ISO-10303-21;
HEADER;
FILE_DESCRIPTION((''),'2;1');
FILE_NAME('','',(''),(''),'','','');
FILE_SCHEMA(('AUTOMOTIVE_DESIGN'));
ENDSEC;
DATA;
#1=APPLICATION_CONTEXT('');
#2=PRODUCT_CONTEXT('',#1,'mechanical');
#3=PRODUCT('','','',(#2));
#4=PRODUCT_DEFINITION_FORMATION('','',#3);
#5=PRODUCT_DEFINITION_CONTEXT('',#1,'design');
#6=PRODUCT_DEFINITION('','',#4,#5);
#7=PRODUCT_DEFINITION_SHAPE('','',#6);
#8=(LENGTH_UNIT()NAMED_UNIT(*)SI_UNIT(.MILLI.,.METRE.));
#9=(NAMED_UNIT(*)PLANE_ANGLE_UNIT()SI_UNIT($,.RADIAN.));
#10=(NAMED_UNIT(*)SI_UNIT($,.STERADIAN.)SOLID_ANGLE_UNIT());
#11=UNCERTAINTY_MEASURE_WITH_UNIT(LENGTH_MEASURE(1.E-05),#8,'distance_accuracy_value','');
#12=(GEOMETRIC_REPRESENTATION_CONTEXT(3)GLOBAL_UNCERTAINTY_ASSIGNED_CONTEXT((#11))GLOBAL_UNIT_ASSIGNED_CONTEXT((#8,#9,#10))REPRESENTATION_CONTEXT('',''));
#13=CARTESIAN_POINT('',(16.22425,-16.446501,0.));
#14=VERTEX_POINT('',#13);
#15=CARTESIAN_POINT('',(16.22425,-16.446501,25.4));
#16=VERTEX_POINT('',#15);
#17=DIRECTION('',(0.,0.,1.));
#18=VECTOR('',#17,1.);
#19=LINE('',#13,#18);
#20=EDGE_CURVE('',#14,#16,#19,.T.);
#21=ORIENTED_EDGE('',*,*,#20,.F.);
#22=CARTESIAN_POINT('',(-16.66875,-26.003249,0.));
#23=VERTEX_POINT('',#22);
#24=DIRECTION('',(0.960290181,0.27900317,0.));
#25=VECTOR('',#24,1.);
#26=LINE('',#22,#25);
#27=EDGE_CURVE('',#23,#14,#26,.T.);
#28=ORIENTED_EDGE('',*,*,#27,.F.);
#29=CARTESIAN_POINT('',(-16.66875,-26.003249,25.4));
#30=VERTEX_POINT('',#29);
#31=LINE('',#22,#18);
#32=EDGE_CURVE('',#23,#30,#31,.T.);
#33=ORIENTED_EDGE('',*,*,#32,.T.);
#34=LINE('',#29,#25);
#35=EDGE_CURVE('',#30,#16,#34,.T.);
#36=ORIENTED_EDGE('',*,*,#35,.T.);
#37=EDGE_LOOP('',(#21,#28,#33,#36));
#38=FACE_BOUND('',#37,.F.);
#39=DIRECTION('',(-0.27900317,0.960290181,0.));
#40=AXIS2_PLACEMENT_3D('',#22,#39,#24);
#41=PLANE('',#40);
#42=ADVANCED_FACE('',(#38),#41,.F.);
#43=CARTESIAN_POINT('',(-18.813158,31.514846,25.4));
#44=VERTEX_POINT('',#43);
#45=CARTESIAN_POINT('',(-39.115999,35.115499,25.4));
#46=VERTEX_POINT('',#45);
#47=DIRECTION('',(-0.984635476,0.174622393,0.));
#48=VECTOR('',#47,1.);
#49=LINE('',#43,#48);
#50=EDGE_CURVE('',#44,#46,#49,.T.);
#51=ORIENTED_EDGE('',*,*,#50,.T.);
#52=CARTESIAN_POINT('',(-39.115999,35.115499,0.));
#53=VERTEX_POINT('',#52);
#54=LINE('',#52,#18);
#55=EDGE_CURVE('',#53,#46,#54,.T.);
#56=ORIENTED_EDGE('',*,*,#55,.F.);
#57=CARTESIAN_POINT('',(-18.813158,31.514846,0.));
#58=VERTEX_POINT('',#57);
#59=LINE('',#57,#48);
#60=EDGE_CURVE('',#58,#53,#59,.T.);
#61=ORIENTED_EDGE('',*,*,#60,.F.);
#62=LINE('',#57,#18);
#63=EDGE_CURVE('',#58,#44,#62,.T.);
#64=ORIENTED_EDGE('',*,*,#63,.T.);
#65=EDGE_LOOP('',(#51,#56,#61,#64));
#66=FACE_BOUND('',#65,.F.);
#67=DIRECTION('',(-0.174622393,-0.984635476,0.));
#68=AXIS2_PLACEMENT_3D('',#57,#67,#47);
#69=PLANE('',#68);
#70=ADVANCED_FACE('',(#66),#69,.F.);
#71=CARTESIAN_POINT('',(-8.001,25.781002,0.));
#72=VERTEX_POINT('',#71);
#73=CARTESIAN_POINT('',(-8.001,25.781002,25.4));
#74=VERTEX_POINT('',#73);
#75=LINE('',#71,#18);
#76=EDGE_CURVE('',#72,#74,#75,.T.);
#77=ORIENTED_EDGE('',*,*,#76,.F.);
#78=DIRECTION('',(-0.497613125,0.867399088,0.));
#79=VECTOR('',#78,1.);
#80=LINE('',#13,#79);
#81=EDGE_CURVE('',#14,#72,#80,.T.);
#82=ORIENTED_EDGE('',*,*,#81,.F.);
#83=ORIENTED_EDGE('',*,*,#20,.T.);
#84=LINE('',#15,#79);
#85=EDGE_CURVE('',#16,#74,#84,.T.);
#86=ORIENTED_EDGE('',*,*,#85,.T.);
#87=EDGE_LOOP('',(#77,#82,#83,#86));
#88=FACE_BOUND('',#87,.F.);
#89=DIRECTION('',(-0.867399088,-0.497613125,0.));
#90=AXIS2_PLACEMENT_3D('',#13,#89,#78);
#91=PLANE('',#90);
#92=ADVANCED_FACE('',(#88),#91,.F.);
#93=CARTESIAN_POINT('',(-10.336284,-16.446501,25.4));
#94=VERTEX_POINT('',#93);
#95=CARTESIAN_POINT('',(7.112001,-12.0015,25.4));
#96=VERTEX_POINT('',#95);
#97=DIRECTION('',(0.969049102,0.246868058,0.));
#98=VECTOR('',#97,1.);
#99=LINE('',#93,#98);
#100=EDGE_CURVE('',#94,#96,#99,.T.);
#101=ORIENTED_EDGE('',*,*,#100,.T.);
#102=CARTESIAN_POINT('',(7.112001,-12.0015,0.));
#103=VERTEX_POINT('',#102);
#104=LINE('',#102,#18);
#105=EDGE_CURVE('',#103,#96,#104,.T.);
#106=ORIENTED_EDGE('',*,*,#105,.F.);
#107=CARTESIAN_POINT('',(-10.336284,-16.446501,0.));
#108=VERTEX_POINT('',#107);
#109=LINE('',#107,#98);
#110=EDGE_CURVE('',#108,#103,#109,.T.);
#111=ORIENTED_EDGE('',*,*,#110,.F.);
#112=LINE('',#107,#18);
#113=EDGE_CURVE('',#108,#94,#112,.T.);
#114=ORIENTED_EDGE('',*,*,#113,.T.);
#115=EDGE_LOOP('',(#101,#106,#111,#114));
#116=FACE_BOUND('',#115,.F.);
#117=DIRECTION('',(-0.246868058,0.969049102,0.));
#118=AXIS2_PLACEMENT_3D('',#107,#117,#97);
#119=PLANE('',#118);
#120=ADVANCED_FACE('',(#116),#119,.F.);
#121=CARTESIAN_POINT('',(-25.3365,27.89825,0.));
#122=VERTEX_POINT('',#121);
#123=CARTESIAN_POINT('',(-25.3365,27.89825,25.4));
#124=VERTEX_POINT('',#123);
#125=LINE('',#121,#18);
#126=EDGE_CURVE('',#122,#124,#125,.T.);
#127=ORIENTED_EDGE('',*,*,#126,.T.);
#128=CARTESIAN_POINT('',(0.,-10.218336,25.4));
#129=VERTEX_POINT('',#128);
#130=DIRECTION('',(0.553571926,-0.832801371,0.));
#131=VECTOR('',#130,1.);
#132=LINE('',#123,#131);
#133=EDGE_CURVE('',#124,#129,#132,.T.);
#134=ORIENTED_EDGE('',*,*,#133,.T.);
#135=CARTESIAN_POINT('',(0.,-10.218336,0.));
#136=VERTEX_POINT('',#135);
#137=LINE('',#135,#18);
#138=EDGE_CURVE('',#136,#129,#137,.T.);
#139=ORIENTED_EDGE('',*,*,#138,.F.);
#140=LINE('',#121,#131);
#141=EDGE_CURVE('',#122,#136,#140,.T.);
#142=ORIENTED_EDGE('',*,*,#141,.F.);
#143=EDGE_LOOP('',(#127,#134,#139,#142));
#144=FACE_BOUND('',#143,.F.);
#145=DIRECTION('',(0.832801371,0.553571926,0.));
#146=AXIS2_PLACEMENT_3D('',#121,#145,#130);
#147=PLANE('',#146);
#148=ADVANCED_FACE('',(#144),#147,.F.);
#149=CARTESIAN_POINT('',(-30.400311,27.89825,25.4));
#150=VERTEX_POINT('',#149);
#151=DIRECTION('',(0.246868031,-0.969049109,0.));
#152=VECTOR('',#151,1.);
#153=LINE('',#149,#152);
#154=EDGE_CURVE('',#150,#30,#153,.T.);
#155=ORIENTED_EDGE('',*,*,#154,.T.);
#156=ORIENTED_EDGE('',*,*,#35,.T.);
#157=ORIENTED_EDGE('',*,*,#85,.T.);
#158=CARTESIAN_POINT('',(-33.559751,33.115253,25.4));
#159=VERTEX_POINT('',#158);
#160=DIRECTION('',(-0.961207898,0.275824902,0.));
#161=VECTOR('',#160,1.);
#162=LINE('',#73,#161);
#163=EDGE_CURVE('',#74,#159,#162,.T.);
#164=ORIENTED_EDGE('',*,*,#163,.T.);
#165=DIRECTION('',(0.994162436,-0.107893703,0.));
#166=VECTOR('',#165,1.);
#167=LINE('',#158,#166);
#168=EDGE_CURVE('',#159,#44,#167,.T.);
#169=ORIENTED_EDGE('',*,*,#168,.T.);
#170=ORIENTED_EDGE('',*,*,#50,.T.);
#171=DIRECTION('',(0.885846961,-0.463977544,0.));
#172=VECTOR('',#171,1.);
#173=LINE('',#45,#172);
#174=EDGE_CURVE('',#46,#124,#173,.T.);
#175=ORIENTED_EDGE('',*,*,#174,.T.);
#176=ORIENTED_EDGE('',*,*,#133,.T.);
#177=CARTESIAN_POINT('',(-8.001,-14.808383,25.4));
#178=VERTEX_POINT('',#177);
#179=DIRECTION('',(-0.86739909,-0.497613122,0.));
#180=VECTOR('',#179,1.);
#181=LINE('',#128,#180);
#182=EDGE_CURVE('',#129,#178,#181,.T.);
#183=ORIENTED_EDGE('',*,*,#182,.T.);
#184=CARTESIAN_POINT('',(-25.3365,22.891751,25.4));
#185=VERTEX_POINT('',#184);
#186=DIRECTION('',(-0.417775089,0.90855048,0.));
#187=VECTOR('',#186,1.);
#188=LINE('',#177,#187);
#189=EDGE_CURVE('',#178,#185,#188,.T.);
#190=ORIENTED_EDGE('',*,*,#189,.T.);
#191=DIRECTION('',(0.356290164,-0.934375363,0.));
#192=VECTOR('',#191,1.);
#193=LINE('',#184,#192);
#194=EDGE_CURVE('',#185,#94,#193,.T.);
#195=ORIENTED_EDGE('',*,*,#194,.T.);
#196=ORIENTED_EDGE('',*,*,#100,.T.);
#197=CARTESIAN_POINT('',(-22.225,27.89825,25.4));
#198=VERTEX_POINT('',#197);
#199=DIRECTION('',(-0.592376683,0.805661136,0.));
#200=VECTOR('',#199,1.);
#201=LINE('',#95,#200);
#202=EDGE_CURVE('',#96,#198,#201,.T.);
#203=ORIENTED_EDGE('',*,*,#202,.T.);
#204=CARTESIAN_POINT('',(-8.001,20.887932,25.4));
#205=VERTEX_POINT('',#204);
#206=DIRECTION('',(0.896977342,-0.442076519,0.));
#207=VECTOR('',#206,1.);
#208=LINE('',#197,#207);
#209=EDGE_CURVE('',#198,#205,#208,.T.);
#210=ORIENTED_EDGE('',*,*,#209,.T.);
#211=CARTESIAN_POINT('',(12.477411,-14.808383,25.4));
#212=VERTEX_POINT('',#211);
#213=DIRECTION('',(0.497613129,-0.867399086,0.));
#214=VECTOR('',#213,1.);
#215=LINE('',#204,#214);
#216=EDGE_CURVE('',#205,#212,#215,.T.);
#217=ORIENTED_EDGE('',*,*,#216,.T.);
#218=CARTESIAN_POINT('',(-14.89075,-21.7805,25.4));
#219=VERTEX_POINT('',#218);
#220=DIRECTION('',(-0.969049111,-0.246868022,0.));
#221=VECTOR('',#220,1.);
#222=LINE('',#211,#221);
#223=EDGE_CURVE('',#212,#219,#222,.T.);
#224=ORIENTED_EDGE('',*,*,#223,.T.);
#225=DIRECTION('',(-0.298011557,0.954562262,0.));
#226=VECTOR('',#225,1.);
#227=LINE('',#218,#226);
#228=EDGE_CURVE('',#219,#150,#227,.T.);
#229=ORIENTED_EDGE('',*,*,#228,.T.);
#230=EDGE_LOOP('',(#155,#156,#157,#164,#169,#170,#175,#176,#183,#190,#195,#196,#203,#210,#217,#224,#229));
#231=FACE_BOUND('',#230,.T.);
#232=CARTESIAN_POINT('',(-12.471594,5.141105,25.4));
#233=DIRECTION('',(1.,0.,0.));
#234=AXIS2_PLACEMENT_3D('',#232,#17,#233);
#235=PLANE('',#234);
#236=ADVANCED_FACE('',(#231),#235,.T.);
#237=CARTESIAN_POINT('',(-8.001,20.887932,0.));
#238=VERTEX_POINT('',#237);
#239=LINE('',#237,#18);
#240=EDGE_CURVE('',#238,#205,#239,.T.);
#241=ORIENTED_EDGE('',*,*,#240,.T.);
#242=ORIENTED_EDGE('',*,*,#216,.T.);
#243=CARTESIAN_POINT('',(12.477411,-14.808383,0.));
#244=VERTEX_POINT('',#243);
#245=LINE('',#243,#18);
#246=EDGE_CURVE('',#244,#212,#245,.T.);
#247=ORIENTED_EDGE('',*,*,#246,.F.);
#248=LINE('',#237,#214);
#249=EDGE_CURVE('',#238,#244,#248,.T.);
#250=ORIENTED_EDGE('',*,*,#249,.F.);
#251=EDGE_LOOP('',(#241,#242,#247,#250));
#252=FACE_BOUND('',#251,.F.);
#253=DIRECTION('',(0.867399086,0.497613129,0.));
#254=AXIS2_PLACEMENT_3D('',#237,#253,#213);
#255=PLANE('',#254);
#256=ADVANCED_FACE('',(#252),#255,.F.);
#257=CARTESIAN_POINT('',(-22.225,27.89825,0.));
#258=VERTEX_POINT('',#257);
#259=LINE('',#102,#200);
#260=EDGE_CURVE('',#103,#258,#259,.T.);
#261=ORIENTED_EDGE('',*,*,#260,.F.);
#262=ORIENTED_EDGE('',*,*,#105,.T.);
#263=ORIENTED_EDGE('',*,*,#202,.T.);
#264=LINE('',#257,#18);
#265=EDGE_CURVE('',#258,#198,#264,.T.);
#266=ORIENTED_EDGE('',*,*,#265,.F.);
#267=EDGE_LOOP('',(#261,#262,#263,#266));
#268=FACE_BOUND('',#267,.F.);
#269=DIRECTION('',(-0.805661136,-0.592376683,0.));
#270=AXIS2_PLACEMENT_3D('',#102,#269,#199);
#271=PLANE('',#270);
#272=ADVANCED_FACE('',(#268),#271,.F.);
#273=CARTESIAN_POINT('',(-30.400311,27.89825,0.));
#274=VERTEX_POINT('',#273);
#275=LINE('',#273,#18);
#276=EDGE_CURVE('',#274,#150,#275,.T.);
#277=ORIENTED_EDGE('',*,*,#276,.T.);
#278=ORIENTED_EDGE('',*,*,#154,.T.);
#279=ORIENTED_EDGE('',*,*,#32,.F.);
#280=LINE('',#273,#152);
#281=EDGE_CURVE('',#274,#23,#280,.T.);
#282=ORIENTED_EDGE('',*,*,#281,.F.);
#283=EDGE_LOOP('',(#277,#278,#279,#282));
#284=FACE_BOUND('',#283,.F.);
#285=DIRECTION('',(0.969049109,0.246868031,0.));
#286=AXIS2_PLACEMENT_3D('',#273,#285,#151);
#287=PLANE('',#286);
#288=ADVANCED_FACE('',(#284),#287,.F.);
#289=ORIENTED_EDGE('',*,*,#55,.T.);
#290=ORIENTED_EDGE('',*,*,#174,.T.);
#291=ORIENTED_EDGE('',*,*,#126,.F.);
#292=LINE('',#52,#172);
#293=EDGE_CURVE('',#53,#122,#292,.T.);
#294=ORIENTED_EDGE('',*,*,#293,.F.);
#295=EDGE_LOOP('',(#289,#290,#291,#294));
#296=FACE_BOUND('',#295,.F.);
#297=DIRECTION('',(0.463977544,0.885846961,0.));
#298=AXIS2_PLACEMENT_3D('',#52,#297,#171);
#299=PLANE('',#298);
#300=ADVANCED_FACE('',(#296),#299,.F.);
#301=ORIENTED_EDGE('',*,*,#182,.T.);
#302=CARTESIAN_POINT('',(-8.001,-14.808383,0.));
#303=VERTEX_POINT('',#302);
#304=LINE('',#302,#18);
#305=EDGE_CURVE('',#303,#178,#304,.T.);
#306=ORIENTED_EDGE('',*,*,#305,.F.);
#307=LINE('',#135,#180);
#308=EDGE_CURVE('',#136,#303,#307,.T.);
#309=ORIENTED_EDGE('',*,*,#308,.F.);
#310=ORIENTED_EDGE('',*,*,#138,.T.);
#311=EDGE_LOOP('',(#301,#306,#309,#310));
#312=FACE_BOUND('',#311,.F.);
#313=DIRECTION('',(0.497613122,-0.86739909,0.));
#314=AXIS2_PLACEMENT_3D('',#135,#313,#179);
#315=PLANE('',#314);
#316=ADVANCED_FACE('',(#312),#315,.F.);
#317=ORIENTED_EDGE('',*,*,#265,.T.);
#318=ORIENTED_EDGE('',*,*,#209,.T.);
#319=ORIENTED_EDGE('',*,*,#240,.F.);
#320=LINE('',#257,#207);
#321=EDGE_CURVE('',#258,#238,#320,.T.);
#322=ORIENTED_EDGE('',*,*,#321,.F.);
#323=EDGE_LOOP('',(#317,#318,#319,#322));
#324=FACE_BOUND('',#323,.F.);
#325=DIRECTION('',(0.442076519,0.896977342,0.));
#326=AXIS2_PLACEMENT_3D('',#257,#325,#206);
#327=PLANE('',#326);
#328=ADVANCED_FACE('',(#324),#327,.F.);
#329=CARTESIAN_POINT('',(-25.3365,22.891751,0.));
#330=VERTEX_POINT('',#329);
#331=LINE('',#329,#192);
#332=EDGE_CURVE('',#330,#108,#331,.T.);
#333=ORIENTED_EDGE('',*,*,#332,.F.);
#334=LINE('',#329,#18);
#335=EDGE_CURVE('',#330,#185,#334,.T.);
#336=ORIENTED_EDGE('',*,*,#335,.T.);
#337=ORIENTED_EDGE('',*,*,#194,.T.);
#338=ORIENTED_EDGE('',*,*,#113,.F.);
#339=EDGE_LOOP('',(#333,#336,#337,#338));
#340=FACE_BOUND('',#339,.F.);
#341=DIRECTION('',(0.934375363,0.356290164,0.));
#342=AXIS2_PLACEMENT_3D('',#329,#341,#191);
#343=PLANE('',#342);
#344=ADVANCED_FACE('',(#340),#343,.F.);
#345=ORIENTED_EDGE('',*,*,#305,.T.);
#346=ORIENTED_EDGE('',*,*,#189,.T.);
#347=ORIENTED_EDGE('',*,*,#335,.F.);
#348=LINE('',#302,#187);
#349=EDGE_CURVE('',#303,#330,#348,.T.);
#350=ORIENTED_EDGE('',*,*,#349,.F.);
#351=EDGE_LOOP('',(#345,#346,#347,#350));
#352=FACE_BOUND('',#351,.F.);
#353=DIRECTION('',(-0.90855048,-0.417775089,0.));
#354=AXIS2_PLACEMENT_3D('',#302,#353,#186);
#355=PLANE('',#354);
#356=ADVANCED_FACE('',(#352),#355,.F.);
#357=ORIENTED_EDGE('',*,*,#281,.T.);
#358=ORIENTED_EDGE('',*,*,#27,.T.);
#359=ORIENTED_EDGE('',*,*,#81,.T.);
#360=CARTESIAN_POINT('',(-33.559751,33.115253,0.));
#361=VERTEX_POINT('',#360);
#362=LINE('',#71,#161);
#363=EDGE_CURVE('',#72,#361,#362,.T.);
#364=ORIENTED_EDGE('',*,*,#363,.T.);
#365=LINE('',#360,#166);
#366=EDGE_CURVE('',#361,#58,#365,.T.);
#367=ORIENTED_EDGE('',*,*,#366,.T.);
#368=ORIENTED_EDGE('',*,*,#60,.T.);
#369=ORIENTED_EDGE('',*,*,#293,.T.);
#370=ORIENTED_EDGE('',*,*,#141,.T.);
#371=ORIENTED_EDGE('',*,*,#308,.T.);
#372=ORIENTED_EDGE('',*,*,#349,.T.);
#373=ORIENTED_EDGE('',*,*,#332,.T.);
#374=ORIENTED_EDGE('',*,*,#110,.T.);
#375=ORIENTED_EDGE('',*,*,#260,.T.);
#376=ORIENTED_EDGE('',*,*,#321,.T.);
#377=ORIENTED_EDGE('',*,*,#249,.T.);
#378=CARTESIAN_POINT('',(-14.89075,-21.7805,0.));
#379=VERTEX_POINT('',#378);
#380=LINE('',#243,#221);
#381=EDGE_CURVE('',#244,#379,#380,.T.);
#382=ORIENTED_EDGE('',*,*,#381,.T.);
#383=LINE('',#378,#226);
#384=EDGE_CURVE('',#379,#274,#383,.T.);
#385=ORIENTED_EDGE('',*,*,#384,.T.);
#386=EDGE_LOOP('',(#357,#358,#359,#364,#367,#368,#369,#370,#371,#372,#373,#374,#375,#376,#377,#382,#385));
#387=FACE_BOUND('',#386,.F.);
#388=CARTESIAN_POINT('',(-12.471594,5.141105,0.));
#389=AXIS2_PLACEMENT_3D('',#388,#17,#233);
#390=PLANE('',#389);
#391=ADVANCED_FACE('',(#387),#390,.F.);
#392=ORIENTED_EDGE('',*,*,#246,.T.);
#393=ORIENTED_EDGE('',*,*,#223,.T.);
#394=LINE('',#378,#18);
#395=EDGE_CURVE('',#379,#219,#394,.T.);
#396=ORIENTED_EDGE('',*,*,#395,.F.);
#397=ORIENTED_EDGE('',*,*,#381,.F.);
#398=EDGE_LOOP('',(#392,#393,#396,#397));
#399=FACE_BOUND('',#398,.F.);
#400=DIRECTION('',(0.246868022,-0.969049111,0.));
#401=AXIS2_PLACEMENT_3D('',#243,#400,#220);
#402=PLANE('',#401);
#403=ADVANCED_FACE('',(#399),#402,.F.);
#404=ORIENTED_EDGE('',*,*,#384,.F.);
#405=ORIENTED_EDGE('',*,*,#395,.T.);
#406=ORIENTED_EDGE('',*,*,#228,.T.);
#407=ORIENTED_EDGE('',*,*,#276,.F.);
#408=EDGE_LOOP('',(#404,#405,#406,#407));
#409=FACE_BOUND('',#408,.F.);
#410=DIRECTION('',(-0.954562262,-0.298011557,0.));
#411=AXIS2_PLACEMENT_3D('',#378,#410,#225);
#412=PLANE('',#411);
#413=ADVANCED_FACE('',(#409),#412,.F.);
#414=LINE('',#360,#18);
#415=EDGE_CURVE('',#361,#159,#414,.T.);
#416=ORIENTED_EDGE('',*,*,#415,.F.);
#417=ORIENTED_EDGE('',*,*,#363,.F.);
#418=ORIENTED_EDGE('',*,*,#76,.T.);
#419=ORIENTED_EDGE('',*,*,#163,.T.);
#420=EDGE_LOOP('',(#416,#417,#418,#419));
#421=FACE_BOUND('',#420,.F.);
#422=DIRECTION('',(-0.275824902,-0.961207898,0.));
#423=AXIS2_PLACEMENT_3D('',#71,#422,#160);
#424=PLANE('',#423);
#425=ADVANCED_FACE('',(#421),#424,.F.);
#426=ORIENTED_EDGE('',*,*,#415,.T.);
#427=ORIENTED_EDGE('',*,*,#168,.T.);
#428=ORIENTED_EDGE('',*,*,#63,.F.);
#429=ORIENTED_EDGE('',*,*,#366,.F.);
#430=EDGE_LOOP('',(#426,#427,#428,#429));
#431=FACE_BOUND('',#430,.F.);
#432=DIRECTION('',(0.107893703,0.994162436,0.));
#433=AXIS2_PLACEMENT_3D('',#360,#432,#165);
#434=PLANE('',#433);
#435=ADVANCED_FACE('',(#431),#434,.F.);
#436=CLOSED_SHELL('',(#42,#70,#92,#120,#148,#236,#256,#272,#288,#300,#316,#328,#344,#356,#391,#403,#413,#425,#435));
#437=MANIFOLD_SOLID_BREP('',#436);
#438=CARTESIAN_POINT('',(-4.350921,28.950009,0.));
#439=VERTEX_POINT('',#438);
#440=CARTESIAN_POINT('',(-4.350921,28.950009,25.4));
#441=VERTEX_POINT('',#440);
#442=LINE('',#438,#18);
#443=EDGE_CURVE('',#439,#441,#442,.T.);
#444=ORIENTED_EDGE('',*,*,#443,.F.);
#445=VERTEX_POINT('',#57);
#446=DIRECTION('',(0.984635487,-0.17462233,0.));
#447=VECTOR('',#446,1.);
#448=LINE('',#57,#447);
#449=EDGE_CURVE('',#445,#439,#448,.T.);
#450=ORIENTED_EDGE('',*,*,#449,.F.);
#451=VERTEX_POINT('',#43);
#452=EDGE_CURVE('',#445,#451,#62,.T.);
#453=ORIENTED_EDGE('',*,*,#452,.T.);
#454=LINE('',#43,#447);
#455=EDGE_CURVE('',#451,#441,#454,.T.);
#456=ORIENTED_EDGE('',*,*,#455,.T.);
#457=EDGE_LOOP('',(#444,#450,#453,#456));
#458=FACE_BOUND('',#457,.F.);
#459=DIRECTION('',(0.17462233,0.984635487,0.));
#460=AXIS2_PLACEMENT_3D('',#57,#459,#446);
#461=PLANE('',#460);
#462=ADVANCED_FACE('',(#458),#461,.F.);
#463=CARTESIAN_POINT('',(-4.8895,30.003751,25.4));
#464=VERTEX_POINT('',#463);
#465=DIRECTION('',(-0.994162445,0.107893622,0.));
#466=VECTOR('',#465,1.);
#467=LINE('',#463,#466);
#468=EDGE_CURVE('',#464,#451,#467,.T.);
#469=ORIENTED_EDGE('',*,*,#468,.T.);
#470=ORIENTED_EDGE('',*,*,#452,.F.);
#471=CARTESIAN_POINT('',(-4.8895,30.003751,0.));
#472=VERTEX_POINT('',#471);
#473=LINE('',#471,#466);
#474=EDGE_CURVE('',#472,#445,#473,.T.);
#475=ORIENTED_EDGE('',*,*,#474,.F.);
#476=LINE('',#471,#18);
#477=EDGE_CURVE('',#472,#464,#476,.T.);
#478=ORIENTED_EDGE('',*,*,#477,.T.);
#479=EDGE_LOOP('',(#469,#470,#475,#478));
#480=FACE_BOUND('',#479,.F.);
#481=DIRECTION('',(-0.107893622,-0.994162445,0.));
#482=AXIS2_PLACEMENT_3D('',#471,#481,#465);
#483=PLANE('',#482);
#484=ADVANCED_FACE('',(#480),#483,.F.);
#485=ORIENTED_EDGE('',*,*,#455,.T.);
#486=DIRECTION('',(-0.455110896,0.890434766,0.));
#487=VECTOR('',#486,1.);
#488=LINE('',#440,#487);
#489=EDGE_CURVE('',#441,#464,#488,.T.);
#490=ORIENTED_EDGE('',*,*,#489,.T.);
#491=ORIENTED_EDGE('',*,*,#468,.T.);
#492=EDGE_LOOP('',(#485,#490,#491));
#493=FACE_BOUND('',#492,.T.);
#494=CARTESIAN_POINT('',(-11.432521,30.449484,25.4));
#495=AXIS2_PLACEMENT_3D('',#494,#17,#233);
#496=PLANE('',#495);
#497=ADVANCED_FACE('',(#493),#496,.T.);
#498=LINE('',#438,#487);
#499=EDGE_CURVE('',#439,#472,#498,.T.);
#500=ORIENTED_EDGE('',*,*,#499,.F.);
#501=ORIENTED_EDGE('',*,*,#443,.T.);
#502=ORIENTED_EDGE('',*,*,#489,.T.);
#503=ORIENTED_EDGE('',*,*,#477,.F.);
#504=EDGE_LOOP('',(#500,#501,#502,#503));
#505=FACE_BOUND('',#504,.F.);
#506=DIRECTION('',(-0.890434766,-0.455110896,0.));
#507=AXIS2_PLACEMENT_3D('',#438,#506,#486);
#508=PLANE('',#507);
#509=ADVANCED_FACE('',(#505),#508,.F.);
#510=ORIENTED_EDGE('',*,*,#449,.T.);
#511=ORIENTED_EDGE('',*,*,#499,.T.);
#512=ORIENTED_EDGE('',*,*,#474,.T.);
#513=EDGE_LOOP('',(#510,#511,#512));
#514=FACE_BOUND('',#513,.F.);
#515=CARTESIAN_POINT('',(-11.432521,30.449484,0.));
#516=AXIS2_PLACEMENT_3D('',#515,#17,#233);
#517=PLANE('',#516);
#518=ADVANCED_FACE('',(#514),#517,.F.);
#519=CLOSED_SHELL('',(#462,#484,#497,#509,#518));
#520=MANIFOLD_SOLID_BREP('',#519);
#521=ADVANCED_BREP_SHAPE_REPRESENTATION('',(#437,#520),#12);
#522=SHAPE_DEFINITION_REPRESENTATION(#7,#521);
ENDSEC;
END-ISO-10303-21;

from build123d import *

# Parameters (mm, degrees)
F1_DEPTH = 25.4


with BuildPart() as f1:
    # F0 (on Top) → F1 (new body)
    with BuildSketch(Plane.XY):
        Polygon((-18.813158, 31.514846), (-4.350921, 28.950009), (-4.8895, 30.003751), align=None)
        Polygon((-33.559751, 33.115253), (-18.813158, 31.514846), (-39.115999, 35.115499), (-25.3365, 27.89825), (0, -10.218336), (-8.001, -14.808383), (-25.3365, 22.891751), (-10.336284, -16.446501), (7.112001, -12.0015), (-22.225, 27.89825), (-8.001, 20.887932), (12.477411, -14.808383), (-14.89075, -21.7805), (-30.400311, 27.89825), (-16.66875, -26.003249), (16.22425, -16.446501), (-8.001, 25.781002), align=None)
    extrude(amount=F1_DEPTH)


solid = f1.part
